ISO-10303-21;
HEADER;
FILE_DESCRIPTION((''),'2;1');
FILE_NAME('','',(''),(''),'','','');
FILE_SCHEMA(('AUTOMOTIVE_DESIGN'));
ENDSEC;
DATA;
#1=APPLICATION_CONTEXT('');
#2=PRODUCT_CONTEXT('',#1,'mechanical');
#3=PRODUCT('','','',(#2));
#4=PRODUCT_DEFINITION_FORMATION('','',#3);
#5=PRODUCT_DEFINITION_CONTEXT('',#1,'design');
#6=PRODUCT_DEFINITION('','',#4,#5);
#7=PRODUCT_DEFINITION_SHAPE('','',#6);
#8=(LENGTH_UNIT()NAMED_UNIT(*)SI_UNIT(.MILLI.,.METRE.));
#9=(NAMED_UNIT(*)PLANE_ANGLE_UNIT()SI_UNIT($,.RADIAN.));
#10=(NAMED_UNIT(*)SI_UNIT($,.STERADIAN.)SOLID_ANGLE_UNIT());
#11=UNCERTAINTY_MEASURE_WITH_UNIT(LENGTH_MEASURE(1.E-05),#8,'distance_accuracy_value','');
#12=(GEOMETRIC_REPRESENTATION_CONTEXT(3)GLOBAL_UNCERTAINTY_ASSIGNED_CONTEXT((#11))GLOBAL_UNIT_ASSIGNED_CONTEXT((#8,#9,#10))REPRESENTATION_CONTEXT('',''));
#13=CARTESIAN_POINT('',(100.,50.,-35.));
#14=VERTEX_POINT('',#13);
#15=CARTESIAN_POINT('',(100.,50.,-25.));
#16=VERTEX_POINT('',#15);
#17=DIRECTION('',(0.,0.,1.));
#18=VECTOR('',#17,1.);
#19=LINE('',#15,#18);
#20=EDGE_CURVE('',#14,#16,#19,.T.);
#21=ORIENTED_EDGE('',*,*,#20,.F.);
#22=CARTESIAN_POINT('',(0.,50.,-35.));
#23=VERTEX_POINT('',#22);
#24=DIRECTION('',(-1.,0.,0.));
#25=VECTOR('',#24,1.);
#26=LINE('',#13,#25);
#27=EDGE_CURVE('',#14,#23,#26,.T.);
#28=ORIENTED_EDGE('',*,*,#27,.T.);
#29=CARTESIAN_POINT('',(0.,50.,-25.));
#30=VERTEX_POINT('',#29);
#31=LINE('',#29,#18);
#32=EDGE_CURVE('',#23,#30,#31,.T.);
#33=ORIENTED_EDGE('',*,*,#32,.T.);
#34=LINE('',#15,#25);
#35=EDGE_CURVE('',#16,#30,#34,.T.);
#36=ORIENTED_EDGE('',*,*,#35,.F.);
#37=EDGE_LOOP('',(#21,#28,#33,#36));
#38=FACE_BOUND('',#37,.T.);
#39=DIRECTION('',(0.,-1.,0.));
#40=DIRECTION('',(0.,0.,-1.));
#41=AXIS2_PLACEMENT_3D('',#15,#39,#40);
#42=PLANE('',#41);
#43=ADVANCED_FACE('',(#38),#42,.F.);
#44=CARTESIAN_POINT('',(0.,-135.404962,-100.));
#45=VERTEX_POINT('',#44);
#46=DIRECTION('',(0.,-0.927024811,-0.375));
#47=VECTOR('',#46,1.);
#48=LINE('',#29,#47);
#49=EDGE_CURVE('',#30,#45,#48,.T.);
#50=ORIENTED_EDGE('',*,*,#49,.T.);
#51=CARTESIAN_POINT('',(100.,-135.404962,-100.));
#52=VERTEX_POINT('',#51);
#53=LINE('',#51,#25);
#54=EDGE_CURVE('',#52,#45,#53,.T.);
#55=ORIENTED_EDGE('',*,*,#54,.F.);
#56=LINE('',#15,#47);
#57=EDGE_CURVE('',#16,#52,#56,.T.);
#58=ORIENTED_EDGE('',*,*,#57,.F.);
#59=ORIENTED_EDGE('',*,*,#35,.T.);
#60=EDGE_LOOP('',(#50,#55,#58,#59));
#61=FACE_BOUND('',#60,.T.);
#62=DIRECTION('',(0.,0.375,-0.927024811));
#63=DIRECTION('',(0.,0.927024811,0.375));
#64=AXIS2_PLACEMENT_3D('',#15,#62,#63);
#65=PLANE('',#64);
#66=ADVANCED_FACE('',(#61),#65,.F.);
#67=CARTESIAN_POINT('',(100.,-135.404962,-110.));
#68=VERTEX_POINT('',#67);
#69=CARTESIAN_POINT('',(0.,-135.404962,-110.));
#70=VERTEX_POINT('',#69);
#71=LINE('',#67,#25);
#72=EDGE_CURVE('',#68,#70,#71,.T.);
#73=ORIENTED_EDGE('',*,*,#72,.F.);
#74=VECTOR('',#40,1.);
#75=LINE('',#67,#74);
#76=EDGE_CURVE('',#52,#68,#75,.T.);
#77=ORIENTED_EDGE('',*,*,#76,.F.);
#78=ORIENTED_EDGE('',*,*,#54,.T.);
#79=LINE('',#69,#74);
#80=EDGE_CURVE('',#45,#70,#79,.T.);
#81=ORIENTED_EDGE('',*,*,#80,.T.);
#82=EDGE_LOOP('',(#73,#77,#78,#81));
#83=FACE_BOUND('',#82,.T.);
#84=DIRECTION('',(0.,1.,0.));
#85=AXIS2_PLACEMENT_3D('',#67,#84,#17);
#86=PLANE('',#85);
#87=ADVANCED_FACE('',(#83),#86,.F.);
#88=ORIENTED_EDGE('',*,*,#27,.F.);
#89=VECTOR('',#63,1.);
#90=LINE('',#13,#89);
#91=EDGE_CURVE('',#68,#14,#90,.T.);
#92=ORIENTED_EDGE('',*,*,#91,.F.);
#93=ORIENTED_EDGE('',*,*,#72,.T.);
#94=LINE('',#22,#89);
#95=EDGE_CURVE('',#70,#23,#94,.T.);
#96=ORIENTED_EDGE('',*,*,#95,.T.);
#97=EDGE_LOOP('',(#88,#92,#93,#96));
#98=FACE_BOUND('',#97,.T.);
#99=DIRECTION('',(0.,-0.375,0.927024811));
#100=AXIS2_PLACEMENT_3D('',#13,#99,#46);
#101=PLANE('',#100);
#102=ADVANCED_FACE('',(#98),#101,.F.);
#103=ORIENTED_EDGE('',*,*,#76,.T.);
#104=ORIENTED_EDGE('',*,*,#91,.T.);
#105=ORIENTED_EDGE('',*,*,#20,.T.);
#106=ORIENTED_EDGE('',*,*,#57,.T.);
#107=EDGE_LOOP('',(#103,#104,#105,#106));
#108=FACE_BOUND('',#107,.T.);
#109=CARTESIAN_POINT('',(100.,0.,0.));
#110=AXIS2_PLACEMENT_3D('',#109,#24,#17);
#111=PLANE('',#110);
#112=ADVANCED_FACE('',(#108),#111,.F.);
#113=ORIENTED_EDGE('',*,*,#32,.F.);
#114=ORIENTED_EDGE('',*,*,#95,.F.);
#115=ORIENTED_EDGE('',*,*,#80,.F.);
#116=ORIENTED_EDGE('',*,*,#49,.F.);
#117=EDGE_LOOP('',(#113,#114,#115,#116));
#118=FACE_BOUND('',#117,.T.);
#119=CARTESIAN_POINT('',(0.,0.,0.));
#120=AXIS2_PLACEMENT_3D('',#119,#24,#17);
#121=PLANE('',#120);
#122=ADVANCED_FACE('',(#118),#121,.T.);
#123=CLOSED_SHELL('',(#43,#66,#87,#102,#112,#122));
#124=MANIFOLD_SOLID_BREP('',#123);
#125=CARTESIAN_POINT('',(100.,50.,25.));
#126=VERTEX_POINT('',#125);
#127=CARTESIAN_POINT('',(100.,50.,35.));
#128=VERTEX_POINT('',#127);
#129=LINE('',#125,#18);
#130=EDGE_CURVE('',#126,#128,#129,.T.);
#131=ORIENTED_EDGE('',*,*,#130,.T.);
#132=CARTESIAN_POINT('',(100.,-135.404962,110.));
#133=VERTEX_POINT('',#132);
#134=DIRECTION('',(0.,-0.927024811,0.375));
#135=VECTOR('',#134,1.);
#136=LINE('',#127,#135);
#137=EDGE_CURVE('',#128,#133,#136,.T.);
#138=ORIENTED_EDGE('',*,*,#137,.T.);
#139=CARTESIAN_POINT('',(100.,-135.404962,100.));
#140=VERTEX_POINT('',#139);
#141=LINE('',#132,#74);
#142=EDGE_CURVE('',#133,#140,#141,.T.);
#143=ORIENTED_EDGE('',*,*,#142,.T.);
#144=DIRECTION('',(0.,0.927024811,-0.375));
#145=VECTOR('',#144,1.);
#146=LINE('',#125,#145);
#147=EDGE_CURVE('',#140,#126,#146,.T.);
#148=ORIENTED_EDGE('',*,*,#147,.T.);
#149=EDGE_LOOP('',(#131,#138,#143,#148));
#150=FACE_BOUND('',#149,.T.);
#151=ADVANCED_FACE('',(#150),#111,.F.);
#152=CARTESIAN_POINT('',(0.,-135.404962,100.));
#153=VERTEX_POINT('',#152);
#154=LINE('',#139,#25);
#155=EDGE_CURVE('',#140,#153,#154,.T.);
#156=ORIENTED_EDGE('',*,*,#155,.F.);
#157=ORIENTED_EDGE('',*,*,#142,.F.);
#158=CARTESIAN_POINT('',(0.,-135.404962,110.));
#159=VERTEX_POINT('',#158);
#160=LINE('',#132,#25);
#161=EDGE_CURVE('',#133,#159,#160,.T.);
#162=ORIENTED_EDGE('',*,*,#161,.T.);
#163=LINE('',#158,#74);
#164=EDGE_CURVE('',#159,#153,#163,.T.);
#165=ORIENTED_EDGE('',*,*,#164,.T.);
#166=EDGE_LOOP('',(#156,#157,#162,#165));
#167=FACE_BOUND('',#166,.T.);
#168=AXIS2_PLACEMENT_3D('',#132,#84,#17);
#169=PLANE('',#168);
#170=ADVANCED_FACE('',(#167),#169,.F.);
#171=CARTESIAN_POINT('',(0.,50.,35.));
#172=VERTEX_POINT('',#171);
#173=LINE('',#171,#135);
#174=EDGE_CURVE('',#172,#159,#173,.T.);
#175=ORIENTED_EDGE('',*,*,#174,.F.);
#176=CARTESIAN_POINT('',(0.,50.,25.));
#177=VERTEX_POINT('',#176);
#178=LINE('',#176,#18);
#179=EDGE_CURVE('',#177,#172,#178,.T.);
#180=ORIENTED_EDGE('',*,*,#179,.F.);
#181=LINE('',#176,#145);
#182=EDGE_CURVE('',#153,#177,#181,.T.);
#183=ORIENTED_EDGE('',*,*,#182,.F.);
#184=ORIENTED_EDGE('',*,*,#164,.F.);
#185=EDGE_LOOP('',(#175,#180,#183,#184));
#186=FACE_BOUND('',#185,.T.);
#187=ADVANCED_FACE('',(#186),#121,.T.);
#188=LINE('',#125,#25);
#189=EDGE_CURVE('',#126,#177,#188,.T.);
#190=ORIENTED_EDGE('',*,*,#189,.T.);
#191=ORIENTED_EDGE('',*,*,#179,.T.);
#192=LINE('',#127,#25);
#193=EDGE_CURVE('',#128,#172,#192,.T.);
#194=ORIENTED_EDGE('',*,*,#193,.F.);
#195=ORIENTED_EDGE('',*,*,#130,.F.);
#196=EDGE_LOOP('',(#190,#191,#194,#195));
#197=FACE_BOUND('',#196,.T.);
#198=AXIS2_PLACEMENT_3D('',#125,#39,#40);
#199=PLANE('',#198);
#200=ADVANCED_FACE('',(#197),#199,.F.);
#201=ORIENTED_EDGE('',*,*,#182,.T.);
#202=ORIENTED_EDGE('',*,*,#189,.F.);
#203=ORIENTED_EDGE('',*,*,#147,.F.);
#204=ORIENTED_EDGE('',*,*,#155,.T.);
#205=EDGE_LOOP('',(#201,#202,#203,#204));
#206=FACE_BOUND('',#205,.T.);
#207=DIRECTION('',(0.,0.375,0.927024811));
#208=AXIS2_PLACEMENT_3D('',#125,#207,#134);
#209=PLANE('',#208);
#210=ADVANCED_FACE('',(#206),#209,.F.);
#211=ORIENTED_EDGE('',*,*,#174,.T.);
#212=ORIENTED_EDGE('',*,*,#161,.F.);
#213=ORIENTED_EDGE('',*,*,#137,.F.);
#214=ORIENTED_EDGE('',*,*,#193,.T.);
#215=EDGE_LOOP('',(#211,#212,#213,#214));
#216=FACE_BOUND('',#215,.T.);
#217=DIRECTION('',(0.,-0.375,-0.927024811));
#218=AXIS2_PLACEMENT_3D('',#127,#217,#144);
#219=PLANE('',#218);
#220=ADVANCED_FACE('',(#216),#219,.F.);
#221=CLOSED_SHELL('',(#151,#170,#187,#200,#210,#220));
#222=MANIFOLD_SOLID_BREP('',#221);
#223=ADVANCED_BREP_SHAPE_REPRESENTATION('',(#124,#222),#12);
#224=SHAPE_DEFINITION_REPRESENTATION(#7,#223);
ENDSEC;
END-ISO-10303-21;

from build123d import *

# Parameters (mm, degrees)
BOSS_EXTRUDE1_DEPTH   = 100
BOSS_EXTRUDE1_2_DEPTH = 100


with BuildPart() as part:
    # Sketch1 → Boss-Extrude1 (new body)
    with BuildSketch(Plane(origin=(0, 0, 0), x_dir=(0, 0, -1), z_dir=(1, 0, 0))):
        Polygon((-25, 50), (-100, -135.404962177), (-110, -135.404962177), (-35, 50), align=None)
    extrude(amount=BOSS_EXTRUDE1_DEPTH)


with BuildPart() as body_2:
    # Sketch1 → Boss-Extrude1 2 (new body)
    with BuildSketch(Plane(origin=(0, 0, 0), x_dir=(0, 0, -1), z_dir=(1, 0, 0))):
        Polygon((110, -135.404962177), (100, -135.404962177), (25, 50), (35, 50), align=None)
    extrude(amount=BOSS_EXTRUDE1_2_DEPTH)


solid = Compound([part.part, body_2.part])
